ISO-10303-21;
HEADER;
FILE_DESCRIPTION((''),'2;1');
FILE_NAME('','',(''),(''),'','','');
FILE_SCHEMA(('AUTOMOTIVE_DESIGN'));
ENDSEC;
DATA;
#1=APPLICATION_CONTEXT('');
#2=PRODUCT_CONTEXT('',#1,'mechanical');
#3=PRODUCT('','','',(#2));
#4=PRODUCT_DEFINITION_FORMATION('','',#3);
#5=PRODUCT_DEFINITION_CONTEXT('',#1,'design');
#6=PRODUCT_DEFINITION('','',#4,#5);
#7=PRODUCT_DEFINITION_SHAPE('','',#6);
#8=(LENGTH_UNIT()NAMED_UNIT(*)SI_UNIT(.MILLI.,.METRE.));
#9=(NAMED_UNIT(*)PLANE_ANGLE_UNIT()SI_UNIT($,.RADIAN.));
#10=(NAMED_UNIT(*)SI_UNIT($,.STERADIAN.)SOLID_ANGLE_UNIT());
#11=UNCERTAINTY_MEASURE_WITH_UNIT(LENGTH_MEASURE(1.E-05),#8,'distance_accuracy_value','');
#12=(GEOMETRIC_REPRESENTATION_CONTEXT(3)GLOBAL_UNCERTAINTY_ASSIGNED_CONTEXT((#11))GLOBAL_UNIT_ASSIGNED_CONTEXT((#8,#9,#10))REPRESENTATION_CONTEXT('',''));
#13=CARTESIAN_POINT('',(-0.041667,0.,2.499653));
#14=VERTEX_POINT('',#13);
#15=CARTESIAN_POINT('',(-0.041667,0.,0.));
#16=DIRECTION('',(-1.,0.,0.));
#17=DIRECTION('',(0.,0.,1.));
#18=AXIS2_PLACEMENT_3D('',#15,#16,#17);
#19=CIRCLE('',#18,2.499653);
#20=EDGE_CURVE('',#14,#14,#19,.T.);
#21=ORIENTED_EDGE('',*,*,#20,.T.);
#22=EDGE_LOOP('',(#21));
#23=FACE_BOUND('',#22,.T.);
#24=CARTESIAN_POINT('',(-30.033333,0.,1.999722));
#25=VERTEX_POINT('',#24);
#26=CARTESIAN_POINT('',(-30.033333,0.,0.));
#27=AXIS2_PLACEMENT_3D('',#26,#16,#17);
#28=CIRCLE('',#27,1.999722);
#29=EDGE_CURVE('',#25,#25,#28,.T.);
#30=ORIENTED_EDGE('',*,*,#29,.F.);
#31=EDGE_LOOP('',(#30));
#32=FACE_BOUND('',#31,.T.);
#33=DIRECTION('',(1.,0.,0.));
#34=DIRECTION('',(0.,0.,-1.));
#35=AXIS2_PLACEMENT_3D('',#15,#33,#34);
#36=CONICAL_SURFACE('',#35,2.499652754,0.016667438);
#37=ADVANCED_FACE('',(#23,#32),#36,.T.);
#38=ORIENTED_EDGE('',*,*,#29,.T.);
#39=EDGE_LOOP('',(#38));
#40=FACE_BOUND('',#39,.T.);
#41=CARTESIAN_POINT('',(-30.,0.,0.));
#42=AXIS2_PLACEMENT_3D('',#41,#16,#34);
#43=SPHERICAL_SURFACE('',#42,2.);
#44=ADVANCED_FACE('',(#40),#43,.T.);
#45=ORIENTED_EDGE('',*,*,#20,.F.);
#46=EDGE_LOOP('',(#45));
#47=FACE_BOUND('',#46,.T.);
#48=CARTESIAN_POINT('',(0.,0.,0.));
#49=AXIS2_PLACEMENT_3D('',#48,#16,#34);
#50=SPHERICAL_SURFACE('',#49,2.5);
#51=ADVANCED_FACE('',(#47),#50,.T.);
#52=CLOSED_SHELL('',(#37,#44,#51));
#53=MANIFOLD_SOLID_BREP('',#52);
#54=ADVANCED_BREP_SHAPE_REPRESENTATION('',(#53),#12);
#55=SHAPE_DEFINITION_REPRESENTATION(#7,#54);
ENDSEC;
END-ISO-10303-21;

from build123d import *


with BuildPart() as part:
    # Sketch1 → Revolve1 (revolve)
    with BuildSketch(Plane(origin=(0, 0, 0), x_dir=(1, 0, 0), z_dir=(0, 1, 0))):
        with BuildLine():
            Line((-30.033333333, 1.999722203), (-0.041666667, 2.499652754))
            ThreePointArc((-0.041666667, 2.499652754), (1.752973664, 1.78243747), (2.5, 0))
            Line((2.5, 0), (-32, 0))
            ThreePointArc((-32, 0), (-31.425949976, 1.402378931), (-30.033333333, 1.999722203))
        make_face()
    revolve(axis=Axis((-32, 0, 0), (1, 0, 0)))


solid = part.part
